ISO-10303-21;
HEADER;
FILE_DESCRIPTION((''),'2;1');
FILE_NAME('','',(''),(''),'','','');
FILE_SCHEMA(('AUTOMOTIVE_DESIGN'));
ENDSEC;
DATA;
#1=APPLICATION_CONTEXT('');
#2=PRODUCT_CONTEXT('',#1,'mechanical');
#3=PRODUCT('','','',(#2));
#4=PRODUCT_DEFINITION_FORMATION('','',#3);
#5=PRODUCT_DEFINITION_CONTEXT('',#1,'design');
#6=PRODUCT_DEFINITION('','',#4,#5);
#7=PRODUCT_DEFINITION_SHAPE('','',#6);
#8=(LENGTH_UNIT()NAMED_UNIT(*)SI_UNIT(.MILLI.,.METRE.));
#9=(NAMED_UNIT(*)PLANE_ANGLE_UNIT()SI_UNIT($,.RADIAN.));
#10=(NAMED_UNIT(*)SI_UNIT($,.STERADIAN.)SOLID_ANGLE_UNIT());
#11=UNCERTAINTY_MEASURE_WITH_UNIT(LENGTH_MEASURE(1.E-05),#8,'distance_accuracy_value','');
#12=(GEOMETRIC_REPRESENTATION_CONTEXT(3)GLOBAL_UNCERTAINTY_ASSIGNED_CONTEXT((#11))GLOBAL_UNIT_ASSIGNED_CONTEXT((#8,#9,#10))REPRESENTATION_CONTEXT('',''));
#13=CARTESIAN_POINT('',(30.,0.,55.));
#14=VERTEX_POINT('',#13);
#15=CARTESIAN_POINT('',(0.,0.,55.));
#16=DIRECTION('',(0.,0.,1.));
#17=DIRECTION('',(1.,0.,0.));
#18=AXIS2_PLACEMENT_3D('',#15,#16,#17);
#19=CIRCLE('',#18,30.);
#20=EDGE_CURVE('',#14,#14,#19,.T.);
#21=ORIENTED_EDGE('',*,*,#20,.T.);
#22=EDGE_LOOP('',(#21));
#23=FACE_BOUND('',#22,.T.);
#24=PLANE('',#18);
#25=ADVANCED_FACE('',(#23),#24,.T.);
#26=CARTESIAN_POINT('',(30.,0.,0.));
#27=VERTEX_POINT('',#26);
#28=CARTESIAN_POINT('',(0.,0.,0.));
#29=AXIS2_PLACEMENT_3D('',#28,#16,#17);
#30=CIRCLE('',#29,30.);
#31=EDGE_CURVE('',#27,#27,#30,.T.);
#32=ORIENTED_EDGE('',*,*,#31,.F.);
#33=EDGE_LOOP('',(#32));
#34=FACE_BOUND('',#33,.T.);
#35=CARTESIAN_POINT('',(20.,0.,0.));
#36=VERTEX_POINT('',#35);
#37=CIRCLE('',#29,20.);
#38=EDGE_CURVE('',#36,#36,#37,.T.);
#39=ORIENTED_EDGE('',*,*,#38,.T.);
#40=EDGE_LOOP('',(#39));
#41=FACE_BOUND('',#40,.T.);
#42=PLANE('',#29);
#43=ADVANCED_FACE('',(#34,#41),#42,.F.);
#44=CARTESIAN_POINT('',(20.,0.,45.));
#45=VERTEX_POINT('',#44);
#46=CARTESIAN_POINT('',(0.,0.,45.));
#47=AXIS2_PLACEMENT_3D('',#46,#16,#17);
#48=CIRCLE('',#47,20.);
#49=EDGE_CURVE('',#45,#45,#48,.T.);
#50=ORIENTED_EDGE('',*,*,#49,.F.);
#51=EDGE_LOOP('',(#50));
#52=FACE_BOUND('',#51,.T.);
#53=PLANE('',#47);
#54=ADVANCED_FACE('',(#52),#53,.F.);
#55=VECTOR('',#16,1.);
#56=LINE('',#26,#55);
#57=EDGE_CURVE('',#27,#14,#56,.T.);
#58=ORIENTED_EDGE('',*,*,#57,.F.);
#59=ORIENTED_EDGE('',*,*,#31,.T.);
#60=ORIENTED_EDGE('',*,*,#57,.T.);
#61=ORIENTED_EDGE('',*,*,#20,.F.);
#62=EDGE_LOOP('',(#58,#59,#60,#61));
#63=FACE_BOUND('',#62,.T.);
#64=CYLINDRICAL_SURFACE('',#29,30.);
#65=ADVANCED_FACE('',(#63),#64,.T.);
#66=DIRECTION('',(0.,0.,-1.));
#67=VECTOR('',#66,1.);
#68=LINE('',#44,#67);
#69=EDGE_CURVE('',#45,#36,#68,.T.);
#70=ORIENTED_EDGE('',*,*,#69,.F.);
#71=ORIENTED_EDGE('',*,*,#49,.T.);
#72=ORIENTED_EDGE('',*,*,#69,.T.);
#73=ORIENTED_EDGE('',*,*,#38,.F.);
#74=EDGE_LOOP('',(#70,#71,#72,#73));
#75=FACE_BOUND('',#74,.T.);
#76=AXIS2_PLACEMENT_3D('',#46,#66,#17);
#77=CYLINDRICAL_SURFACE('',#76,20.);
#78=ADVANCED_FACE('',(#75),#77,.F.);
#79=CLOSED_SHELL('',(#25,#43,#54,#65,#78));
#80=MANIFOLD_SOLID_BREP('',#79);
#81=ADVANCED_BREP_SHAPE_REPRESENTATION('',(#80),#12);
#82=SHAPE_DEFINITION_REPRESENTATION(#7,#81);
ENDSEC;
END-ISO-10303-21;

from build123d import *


with BuildPart() as part:
    # Sketch → Revolution (revolve)
    with BuildSketch(Plane.XZ):
        Polygon((0, 55), (0, 45), (20, 45), (20, 0), (30, 0), (30, 55), align=None)
    revolve(axis=Axis((0, 0, 0), (0, 0, 1)))


solid = part.part
